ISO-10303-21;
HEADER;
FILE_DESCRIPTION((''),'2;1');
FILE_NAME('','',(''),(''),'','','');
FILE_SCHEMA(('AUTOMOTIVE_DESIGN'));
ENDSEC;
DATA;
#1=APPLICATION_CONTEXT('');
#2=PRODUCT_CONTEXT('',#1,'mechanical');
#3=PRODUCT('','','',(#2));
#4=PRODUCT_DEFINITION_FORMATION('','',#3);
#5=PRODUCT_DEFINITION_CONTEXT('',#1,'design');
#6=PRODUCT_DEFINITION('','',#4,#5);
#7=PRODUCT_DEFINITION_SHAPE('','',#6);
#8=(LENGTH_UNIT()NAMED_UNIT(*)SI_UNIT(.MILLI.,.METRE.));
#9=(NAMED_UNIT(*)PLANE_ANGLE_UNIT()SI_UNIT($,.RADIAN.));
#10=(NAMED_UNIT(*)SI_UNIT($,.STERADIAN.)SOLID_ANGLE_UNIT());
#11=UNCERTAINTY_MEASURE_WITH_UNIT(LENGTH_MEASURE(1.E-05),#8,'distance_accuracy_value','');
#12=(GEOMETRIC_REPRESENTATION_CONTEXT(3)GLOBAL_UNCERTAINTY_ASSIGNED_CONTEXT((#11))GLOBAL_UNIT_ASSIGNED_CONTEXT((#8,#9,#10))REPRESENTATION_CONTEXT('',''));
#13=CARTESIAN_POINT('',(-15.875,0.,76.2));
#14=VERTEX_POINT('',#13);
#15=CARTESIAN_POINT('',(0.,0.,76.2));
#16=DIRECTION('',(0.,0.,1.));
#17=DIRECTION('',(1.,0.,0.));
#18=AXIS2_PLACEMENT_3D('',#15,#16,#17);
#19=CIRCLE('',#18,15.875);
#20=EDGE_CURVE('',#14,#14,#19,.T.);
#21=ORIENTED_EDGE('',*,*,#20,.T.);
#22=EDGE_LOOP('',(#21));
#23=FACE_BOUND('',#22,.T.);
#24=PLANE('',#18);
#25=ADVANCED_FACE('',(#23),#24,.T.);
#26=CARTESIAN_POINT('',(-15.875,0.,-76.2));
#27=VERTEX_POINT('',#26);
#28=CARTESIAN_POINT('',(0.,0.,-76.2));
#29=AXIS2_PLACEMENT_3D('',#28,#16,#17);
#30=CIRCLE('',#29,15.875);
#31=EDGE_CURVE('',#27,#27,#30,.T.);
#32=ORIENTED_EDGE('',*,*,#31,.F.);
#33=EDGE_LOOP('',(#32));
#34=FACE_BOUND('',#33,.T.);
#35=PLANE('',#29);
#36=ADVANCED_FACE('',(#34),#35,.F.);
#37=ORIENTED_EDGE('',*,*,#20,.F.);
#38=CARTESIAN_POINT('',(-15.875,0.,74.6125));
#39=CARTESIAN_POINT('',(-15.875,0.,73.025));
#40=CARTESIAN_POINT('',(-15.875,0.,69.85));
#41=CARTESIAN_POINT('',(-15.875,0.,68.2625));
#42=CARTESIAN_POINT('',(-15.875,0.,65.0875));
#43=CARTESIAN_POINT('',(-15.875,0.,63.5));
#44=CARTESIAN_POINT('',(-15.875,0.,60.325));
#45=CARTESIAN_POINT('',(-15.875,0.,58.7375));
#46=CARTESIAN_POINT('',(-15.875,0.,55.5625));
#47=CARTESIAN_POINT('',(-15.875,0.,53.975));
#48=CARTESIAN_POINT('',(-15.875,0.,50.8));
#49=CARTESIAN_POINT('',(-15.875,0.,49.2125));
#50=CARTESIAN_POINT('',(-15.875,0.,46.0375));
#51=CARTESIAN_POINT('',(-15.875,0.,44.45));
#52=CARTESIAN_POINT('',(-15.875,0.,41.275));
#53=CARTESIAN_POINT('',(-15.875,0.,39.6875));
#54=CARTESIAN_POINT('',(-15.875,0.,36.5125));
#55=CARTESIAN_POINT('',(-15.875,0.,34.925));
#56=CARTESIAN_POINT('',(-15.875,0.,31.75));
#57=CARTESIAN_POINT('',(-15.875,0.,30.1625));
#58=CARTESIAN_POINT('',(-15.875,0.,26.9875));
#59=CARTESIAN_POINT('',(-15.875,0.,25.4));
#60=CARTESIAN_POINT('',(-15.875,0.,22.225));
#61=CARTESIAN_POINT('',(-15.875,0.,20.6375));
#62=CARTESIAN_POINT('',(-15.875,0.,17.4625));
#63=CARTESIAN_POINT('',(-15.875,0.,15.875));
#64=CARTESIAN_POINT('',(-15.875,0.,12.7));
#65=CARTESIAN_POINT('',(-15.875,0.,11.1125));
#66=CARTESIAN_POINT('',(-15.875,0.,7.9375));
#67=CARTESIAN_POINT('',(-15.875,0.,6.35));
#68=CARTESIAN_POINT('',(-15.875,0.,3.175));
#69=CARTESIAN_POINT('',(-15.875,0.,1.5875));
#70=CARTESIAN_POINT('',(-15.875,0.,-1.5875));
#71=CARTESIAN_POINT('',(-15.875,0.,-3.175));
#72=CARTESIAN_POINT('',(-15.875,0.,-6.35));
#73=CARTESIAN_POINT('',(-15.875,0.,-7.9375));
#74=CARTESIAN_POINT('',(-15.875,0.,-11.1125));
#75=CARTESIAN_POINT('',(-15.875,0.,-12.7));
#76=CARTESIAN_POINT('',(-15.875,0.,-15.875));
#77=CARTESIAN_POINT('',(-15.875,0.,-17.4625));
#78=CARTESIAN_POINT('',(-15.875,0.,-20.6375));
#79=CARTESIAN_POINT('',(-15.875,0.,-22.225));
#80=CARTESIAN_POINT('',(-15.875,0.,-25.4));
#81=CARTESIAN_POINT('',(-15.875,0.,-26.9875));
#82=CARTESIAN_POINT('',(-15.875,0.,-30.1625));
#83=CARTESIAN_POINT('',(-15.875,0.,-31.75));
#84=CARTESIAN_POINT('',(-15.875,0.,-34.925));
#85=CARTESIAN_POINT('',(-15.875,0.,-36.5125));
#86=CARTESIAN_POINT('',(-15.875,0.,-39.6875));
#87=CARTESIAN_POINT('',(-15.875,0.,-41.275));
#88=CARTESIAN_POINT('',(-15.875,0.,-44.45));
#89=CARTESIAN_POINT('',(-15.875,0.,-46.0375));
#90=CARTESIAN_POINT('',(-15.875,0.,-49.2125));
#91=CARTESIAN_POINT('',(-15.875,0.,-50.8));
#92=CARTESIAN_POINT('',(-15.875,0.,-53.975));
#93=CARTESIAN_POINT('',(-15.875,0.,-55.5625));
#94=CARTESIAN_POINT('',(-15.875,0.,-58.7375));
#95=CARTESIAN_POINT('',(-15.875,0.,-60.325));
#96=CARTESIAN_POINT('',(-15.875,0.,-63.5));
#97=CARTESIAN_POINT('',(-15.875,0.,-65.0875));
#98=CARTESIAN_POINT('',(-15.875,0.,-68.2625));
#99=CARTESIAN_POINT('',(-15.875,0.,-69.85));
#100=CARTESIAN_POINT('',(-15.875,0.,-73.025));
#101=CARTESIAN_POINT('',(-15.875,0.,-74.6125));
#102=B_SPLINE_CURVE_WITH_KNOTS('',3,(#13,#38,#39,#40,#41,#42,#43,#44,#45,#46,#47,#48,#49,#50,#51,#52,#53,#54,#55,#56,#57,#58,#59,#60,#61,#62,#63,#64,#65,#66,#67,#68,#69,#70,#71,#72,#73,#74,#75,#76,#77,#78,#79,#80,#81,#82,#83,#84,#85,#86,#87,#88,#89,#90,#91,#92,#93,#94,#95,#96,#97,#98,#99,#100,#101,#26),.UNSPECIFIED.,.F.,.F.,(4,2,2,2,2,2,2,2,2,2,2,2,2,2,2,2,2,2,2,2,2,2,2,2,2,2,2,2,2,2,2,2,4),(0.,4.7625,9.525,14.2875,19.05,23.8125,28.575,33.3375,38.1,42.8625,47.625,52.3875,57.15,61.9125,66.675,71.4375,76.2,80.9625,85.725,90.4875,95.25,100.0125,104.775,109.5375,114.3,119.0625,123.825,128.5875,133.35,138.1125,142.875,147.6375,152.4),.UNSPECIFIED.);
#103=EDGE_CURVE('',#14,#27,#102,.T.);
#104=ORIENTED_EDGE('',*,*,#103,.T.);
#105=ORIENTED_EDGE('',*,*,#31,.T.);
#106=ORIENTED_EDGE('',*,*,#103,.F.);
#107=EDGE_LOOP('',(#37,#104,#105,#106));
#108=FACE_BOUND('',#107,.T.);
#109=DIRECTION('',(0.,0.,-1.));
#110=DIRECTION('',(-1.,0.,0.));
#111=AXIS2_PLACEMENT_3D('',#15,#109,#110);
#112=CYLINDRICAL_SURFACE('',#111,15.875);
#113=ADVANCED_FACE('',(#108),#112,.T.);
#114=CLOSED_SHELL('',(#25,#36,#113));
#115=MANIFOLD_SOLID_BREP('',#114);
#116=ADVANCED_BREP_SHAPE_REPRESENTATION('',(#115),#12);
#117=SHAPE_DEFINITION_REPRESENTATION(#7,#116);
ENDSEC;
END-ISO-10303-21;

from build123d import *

# Parameters (mm, degrees)
BOSS_EXTRUDE1_DEPTH      = 76.2
BOSS_EXTRUDE1_DEPTH_BACK = 76.2
SKETCH3_R                = 15.875


with BuildPart() as part:
    # Sketch3 → Boss-Extrude1 (new, two sides: drawn at the far end of the back side and taken through both)
    with BuildSketch(Plane.XY.offset(-BOSS_EXTRUDE1_DEPTH_BACK)):
        with Locations(Location((0, 0, 0), (0, 0, 180))):
            Circle(SKETCH3_R)
    extrude(amount=BOSS_EXTRUDE1_DEPTH + BOSS_EXTRUDE1_DEPTH_BACK)


solid = part.part
